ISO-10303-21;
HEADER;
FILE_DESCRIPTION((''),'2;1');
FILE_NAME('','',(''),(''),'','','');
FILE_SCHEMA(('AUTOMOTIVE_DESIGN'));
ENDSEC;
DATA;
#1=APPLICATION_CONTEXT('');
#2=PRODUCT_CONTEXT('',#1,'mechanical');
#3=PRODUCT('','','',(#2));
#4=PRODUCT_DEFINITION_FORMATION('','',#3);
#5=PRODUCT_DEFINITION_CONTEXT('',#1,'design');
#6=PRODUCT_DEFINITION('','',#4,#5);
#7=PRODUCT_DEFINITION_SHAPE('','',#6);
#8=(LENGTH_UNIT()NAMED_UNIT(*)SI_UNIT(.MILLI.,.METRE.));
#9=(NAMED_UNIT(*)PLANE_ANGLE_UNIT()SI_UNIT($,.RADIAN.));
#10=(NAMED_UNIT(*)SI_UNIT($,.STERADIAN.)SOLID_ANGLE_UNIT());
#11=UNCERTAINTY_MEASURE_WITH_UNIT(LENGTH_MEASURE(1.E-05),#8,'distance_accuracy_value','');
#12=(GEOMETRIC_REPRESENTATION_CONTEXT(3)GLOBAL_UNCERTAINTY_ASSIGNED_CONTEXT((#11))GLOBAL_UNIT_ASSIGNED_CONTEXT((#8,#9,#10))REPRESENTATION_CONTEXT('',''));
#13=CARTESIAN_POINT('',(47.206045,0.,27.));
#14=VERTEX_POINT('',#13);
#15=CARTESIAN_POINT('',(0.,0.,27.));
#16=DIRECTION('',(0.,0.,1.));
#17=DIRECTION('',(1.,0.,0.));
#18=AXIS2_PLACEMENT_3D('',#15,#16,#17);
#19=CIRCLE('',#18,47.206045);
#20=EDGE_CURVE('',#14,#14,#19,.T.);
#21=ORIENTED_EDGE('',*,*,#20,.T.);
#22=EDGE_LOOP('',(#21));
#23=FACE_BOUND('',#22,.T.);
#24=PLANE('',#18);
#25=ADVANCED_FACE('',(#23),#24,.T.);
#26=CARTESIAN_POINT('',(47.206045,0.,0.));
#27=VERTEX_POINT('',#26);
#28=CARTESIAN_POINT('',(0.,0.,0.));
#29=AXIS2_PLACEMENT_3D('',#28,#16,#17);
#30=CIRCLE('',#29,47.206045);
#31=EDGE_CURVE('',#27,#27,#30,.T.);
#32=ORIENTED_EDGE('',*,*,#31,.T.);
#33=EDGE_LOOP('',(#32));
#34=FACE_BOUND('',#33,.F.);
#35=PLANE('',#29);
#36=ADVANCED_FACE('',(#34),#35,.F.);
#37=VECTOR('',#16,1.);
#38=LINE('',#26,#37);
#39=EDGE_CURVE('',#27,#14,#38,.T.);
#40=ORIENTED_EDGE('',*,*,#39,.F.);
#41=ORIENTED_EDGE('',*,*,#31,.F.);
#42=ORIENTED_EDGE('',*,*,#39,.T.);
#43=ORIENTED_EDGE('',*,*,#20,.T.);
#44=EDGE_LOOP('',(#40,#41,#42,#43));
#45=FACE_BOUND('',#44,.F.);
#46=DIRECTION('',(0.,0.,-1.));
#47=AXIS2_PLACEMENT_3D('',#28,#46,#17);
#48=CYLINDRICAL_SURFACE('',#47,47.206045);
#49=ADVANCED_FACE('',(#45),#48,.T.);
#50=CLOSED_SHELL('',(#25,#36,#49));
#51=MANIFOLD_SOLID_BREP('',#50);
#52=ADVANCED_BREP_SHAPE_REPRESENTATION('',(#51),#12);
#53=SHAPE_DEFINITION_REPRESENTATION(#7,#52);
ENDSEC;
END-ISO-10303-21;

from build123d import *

# Parameters (mm, degrees)
SKETCH_R  = 47.206045
PAD_DEPTH = 27


with BuildPart() as part:
    # Sketch → Pad (new body)
    with BuildSketch(Plane.XY):
        Circle(SKETCH_R)
    extrude(amount=PAD_DEPTH)


solid = part.part
